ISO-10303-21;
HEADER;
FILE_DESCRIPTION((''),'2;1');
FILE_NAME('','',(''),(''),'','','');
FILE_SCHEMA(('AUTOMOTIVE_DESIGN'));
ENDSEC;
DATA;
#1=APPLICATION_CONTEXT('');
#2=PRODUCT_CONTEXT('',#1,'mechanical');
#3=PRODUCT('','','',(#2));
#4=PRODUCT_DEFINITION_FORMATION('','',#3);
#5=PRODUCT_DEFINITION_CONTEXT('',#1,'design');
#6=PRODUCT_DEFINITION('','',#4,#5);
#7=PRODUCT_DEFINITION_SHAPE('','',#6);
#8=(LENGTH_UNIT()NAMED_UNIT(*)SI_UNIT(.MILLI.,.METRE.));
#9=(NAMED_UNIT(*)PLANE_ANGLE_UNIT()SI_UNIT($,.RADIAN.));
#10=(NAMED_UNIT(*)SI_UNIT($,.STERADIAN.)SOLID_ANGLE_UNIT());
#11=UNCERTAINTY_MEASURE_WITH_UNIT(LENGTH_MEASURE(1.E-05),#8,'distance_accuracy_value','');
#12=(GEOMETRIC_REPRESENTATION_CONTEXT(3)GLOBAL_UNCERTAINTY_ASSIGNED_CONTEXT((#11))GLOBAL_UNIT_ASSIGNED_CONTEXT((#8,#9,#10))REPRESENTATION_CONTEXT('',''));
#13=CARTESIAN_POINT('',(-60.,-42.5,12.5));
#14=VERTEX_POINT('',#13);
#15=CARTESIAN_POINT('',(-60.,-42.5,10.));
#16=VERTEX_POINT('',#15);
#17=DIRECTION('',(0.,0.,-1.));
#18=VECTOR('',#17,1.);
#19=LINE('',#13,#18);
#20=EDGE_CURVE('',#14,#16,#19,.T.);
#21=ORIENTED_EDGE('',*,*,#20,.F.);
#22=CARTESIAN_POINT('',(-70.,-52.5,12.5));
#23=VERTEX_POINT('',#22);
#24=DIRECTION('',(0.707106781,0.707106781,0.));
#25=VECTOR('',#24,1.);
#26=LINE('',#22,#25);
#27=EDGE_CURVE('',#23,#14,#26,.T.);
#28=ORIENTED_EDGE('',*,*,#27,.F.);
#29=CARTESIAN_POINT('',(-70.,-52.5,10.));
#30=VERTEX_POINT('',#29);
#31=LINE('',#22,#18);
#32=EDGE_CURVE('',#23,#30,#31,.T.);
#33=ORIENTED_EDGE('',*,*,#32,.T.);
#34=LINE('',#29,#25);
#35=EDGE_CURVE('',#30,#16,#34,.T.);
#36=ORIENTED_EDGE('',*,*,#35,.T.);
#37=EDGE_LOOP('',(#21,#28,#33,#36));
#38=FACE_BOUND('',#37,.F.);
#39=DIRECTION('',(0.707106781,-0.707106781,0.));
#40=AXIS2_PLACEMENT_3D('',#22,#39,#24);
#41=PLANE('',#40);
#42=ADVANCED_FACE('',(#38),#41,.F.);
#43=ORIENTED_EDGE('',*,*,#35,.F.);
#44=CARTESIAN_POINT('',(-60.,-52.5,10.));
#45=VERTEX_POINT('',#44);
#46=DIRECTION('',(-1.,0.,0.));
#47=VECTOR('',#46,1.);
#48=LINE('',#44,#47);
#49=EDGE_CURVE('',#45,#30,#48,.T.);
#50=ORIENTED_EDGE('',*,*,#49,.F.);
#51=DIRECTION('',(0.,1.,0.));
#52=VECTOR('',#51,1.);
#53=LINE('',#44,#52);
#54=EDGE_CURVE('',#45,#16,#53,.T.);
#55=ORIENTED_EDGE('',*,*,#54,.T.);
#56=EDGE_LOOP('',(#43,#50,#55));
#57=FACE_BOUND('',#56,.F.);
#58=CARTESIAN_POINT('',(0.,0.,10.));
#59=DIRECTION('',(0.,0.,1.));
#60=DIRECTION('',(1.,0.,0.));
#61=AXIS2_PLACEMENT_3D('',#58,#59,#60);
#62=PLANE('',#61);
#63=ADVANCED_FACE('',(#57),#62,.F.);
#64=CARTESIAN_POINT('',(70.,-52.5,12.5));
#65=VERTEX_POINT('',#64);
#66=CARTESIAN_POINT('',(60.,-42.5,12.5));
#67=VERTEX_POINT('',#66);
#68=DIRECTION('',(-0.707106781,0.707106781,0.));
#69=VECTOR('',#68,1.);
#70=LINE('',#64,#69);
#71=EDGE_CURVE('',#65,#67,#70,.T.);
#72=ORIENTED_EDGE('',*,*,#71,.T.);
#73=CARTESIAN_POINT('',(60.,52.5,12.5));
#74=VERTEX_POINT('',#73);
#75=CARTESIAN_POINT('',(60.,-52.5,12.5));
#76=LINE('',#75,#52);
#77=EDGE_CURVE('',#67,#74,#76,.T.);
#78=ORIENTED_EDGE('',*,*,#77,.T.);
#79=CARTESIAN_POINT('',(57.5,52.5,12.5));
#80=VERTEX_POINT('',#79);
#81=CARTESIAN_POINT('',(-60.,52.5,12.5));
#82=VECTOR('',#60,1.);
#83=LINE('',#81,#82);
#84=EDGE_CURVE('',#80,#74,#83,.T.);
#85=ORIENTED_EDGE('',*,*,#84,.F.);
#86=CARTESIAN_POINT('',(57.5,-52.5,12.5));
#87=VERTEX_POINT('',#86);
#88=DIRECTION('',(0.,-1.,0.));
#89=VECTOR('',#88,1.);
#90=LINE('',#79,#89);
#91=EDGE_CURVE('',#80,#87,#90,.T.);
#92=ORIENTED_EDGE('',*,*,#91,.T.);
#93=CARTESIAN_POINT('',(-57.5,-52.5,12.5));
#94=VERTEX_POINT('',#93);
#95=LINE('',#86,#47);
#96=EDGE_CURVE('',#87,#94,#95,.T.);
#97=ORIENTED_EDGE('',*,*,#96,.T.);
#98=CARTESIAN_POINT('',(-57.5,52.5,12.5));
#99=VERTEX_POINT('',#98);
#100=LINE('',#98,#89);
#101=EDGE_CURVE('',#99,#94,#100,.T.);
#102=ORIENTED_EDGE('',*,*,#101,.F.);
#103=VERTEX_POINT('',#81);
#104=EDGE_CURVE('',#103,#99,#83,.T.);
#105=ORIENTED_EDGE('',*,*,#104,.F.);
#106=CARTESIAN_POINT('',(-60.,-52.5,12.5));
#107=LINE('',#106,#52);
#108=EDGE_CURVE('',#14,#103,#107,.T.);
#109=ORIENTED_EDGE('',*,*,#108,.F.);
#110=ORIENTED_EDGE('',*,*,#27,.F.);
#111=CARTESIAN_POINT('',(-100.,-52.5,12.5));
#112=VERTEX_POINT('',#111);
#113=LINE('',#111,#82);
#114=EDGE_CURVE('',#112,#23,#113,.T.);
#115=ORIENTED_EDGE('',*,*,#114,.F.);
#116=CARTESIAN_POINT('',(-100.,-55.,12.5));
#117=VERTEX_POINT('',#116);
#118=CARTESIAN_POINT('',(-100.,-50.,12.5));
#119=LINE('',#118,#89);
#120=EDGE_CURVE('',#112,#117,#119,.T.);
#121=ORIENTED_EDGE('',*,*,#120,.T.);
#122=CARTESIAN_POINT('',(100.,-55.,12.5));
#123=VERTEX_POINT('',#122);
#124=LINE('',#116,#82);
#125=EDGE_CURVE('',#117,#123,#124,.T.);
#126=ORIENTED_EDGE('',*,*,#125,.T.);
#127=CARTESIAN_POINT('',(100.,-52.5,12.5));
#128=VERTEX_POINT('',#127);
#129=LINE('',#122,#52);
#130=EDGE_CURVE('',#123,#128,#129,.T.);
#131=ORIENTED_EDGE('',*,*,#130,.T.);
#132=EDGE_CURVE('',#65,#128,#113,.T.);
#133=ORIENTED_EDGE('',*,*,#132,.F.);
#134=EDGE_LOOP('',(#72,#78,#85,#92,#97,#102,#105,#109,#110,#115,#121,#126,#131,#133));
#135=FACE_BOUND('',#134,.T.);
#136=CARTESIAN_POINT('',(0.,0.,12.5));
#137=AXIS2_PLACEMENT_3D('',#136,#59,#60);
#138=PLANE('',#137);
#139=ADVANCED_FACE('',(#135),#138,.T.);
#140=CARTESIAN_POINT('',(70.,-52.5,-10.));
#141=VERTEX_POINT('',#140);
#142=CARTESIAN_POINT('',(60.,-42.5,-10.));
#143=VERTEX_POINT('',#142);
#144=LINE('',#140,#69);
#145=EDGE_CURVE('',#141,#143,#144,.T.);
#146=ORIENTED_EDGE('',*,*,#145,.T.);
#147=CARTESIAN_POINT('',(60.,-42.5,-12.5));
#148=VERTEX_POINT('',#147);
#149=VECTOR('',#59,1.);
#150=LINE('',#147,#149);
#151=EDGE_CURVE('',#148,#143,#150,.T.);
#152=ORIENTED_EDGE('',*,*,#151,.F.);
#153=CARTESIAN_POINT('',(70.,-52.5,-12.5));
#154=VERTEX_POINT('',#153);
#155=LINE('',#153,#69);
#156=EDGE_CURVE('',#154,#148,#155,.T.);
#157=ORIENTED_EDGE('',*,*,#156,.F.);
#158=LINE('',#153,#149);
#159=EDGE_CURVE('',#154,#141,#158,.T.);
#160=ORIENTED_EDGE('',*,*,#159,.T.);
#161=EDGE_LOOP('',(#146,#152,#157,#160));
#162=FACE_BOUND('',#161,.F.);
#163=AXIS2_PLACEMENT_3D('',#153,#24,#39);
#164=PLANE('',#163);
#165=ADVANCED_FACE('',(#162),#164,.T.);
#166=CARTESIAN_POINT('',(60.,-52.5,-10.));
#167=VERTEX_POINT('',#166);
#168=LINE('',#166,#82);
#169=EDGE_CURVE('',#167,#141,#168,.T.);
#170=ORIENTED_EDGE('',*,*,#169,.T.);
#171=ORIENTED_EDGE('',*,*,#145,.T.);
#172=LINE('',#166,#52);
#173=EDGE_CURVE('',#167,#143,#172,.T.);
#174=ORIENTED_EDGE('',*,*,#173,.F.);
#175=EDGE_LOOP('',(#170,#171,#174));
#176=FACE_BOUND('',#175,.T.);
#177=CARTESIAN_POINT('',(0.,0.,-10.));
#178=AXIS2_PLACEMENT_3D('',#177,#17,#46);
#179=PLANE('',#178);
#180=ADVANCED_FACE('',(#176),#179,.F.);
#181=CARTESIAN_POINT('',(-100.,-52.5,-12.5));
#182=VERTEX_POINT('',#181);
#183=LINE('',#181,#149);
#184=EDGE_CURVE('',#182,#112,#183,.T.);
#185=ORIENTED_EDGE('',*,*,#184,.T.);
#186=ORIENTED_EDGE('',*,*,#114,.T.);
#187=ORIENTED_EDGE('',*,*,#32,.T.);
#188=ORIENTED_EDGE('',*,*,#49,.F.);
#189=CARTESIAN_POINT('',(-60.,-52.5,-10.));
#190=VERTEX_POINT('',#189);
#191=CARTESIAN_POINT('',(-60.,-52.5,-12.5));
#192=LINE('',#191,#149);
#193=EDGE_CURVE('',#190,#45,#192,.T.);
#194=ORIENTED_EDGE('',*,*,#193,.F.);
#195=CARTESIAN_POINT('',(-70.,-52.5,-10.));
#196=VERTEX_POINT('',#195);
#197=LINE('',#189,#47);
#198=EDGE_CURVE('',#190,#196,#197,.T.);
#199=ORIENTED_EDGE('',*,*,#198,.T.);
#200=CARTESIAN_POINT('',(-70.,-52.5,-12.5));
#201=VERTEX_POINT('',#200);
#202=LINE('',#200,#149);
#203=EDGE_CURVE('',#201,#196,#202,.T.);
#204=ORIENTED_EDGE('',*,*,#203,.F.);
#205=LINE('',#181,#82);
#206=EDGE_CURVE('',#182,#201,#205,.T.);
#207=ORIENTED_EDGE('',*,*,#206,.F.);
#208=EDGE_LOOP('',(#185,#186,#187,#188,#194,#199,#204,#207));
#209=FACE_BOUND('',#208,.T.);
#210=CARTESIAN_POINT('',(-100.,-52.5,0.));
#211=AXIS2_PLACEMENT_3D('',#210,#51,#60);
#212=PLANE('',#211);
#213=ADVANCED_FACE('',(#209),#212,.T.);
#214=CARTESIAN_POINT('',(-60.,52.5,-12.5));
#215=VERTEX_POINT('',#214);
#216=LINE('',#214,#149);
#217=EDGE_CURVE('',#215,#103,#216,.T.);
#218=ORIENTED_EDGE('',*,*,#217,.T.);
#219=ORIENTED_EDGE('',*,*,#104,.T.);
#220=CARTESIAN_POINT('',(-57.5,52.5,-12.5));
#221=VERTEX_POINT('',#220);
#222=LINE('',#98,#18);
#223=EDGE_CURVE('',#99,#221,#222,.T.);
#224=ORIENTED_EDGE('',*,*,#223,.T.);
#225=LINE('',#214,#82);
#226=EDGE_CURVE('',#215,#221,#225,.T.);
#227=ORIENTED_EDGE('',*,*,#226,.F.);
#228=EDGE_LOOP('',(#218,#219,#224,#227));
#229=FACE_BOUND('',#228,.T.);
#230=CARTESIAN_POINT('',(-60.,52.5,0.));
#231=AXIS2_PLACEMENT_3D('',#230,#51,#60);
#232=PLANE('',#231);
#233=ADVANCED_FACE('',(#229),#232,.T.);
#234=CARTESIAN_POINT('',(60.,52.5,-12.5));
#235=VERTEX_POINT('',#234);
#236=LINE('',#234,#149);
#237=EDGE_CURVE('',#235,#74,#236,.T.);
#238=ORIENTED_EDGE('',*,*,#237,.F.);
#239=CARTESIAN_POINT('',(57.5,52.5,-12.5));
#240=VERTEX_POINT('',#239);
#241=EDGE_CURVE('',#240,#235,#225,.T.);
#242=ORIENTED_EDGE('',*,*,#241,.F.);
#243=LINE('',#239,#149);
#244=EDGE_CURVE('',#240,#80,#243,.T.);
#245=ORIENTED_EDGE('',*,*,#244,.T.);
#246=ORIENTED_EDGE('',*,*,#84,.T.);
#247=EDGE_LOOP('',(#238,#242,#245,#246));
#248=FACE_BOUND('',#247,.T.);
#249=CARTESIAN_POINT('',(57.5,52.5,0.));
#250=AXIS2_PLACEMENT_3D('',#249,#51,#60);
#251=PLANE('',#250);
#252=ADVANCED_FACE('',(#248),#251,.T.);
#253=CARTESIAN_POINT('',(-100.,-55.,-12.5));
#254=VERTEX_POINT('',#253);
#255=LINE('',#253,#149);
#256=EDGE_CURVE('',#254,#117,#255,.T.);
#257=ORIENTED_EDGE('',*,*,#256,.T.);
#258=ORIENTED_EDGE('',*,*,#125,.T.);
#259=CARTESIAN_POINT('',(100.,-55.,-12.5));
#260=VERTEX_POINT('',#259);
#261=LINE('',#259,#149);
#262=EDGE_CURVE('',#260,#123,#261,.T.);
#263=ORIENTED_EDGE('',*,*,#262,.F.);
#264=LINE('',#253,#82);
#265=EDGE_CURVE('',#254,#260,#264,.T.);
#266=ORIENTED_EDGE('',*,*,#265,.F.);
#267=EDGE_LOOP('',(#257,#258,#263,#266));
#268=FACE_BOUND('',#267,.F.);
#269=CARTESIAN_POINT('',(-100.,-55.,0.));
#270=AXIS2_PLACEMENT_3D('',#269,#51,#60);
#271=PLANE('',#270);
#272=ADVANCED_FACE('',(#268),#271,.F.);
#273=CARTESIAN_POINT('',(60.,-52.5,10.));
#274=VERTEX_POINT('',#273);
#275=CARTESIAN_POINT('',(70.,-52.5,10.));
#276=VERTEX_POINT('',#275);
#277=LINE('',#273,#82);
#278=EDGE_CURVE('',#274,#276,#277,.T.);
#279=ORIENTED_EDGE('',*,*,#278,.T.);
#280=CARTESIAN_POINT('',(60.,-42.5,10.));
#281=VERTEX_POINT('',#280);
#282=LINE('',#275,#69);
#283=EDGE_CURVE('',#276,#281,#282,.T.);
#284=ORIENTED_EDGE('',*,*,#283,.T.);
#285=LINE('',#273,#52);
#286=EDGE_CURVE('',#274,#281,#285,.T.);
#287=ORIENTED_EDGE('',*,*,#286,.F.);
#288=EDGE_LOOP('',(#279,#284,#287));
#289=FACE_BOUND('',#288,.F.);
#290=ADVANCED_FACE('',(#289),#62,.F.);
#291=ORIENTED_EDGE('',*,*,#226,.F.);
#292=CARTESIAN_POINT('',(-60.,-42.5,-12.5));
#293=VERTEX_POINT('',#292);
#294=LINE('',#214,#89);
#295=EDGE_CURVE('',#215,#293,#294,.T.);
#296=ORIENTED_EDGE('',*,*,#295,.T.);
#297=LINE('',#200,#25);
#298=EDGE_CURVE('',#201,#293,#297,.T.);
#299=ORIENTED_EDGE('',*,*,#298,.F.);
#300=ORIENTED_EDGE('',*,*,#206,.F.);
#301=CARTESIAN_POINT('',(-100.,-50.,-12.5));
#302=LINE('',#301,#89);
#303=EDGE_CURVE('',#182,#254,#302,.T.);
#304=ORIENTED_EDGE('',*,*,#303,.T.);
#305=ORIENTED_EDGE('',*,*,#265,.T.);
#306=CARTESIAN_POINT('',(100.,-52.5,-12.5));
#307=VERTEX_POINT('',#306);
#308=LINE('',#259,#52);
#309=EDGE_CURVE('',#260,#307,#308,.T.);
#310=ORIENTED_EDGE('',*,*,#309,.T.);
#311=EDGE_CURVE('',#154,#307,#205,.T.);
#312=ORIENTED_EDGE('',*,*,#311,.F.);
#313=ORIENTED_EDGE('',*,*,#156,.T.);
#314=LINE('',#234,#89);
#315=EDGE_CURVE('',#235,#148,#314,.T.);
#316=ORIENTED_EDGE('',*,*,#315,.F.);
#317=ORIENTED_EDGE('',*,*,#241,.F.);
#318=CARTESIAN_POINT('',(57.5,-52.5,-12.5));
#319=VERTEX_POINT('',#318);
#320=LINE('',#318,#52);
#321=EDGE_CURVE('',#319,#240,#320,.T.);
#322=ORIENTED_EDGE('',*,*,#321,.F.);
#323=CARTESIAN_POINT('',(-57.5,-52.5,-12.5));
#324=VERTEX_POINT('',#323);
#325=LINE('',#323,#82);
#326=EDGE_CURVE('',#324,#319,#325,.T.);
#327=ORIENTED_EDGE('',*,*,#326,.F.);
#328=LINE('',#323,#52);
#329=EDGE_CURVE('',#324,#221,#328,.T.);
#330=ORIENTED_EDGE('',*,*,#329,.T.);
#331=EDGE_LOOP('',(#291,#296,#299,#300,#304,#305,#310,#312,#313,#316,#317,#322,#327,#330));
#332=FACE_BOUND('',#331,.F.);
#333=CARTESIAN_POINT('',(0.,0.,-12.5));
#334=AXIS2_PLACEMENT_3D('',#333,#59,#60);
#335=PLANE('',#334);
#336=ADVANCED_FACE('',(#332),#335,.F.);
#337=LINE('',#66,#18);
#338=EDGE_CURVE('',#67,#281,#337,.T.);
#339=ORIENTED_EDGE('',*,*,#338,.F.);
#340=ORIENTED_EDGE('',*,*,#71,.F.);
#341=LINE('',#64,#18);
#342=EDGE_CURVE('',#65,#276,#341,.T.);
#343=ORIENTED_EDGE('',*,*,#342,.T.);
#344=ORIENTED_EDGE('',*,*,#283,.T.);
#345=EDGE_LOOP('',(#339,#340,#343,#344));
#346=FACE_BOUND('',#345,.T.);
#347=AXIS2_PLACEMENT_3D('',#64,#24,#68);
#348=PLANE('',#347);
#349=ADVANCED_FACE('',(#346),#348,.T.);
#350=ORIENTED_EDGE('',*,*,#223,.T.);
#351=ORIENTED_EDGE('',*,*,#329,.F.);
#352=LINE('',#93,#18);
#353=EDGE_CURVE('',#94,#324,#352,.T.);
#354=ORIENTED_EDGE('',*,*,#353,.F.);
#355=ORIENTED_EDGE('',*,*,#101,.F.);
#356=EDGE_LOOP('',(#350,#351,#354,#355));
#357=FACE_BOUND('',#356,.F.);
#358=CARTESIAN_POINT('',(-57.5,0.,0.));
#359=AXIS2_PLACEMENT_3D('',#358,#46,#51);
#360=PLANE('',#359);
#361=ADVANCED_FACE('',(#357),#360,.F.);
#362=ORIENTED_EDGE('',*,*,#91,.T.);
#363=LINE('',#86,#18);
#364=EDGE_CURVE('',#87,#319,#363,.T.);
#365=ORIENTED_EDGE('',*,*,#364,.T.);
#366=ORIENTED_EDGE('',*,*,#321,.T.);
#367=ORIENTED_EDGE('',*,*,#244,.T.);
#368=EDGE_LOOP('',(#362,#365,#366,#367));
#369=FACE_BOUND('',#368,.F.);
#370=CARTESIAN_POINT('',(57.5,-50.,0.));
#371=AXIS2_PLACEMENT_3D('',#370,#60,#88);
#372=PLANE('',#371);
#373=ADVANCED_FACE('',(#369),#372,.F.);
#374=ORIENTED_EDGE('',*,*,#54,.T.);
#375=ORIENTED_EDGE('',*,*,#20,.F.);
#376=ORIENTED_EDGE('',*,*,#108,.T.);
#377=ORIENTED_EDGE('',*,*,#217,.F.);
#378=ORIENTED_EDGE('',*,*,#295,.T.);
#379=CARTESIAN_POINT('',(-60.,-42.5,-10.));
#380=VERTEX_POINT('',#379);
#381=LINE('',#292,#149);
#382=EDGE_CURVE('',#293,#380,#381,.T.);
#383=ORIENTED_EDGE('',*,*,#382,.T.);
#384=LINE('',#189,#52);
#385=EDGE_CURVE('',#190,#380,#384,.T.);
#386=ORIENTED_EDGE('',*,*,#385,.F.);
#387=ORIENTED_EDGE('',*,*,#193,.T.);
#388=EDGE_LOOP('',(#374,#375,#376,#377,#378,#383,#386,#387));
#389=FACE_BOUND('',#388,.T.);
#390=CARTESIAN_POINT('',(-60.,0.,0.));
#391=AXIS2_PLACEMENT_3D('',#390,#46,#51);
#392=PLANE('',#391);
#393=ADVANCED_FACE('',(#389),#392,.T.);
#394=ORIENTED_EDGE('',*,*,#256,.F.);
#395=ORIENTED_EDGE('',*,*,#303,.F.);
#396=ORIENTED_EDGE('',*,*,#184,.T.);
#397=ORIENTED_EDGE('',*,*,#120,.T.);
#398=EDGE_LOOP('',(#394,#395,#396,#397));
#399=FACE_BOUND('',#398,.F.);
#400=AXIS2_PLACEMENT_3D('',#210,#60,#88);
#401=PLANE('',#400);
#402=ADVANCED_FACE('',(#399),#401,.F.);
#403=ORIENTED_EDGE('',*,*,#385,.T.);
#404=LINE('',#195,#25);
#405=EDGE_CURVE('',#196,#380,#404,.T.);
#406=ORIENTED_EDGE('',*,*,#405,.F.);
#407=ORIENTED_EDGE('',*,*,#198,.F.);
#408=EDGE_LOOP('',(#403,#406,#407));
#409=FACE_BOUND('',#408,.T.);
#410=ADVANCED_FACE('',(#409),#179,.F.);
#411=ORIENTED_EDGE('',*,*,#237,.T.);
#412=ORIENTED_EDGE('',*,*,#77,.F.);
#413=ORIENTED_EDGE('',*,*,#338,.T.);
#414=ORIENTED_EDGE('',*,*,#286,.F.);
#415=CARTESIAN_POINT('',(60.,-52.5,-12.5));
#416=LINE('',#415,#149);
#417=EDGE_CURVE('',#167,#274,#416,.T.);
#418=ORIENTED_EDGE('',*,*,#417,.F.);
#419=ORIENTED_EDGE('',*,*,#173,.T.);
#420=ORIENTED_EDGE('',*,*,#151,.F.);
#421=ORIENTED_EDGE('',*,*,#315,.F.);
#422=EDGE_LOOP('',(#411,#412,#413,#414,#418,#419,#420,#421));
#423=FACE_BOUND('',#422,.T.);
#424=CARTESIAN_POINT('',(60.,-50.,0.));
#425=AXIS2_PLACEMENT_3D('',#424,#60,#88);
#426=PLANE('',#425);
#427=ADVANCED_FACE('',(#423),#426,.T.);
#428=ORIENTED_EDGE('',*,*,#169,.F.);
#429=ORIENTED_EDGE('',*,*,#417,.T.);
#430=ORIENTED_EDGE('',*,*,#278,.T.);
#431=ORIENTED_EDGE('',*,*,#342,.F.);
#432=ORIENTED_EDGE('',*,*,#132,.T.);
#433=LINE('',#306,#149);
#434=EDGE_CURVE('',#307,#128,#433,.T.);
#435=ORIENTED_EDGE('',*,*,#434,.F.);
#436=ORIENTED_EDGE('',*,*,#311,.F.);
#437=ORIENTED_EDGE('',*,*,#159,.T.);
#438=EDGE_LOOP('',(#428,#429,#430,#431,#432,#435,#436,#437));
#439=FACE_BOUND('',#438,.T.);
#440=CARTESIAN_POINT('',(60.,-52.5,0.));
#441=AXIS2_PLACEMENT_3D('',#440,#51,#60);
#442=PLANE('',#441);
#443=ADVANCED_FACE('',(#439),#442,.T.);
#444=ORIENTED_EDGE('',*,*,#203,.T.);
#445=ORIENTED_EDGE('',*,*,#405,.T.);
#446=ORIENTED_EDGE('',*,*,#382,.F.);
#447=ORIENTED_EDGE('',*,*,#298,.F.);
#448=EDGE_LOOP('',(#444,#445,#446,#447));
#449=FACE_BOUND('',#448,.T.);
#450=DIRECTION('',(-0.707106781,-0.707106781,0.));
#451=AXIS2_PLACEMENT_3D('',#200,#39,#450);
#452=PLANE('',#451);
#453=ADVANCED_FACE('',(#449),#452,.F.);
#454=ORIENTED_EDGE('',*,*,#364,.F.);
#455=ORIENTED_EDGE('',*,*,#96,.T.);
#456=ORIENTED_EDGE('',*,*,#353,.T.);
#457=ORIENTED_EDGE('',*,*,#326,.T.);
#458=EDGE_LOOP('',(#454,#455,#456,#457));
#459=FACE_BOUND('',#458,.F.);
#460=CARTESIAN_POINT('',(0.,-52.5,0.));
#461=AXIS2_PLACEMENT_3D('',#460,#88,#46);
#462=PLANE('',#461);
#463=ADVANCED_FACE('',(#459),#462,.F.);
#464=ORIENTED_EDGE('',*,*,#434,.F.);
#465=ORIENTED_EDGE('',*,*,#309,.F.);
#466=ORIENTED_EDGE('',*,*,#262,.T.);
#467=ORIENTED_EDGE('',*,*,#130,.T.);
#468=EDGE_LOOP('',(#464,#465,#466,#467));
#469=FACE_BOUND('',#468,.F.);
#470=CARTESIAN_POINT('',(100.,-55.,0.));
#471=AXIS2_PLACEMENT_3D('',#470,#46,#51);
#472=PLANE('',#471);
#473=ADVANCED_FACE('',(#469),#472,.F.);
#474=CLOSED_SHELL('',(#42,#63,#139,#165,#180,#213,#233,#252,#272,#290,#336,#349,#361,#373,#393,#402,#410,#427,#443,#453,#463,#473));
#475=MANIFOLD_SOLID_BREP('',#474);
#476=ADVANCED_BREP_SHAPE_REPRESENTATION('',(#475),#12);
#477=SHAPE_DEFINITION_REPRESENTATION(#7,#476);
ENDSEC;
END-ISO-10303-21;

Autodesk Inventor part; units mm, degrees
ref_plane "YZ Plane" through (0, 0, 0) normal (1, 0, 0) x (0, 1, 0)
ref_plane "XZ Plane" through (0, 0, 0) normal (0, 1, 0) x (-1, 0, 0)
ref_plane "XY Plane" through (0, 0, 0) normal (0, 0, 1) x (1, 0, 0)
sketch "Sketch1" plane through (0, 0, 0) normal (0, 0, 1) x (1, 0, 0)
  line L0 (-60, 52.5) -> (60, 52.5)
  line L1 (60, 52.5) -> (60, -52.5)
  line L2 (60, -52.5) -> (-60, -52.5)
  line L3 (-60, -52.5) -> (-60, 52.5)
  line L4 (-60, 52.5) -> (60, -52.5) construction
  line L5 (60, 52.5) -> (-60, -52.5) construction
  circle A0 centre (0, 0) radius 52.5
  line L6 (-52.5, 0) -> (-60, 0)
  line L7 (52.5, 0) -> (60, 0)
  line L8 (-100, -55) -> (100, -55)
  line L9 (100, -55) -> (100, -50)
  line L10 (100, -50) -> (-100, -50)
  line L11 (-100, -50) -> (-100, -55)
  line L12 (-100, -55) -> (100, -50) construction
  line L13 (100, -55) -> (-100, -50) construction
  line L14 (-57.5, 52.5) -> (57.5, 52.5)
  line L15 (57.5, 52.5) -> (57.5, -52.5)
  line L16 (57.5, -52.5) -> (-57.5, -52.5)
  line L17 (-57.5, -52.5) -> (-57.5, 52.5)
  line L18 (-57.5, 52.5) -> (57.5, -52.5) construction
  line L19 (57.5, 52.5) -> (-57.5, -52.5) construction
  line L20 (-100, -52.5) -> (100, -52.5)
  point P0 (0, -52.5)
  point P1 (-60, -50)
  point P2 (60, -50)
  point P3 (60, -52.5)
  point P4 (57.5, 52.5)
  point P5 (57.5, -52.5)
  point P6 (-57.5, 52.5)
  point P7 (-60, -52.5)
  dimension "d0" = 120
  dimension "d1" = 105
  dimension "d2" = 105
  dimension "d5" = 200
  dimension "d6" = 5
  dimension "d30" = 115
  dimension "d31" = 105
extrude "Extrusion1" add sketch "Sketch1" along normal mid plane 25 contours L0 L17 L6 L3 | L6 L17 L10 L3 | L10 L17 L2 L3 | L0 L1 L7 L15 | L2 L20 L9 L8 L11 | L7 L1 L10 L15 | L10 L1 L2 L15
sketch "Sketch6" plane through (0, 0, 12.5) normal (0, 0, 1) x (1, 0, 0)
  line L0 (-60, -52.5) -> (-60, -42.5)
  line L1 (-60, 52.5) -> (-60, -52.5) projected
  line L2 (-60, -52.5) -> (-70, -52.5)
  line L3 (-60, -52.5) -> (-100, -52.5) projected
  line L4 (-70, -52.5) -> (-60, -42.5)
  line L5 (0, -52.5) -> (0, -39.6875)
  line L6 (60, -52.5) -> (60, -42.5)
  line L7 (60, -52.5) -> (70, -52.5)
  line L8 (70, -52.5) -> (60, -42.5)
  point P0 (0, 0)
  dimension "d32" = 10
  dimension "d33" = 10
extrude "Extrusion5" add sketch "Sketch6" against normal blind 2.5
mirror "Mirror1" about plane through (0, 0, 0) normal (0, 0, 1) of "Extrusion5"
properties part number "SOPORTE DE GUIA"
